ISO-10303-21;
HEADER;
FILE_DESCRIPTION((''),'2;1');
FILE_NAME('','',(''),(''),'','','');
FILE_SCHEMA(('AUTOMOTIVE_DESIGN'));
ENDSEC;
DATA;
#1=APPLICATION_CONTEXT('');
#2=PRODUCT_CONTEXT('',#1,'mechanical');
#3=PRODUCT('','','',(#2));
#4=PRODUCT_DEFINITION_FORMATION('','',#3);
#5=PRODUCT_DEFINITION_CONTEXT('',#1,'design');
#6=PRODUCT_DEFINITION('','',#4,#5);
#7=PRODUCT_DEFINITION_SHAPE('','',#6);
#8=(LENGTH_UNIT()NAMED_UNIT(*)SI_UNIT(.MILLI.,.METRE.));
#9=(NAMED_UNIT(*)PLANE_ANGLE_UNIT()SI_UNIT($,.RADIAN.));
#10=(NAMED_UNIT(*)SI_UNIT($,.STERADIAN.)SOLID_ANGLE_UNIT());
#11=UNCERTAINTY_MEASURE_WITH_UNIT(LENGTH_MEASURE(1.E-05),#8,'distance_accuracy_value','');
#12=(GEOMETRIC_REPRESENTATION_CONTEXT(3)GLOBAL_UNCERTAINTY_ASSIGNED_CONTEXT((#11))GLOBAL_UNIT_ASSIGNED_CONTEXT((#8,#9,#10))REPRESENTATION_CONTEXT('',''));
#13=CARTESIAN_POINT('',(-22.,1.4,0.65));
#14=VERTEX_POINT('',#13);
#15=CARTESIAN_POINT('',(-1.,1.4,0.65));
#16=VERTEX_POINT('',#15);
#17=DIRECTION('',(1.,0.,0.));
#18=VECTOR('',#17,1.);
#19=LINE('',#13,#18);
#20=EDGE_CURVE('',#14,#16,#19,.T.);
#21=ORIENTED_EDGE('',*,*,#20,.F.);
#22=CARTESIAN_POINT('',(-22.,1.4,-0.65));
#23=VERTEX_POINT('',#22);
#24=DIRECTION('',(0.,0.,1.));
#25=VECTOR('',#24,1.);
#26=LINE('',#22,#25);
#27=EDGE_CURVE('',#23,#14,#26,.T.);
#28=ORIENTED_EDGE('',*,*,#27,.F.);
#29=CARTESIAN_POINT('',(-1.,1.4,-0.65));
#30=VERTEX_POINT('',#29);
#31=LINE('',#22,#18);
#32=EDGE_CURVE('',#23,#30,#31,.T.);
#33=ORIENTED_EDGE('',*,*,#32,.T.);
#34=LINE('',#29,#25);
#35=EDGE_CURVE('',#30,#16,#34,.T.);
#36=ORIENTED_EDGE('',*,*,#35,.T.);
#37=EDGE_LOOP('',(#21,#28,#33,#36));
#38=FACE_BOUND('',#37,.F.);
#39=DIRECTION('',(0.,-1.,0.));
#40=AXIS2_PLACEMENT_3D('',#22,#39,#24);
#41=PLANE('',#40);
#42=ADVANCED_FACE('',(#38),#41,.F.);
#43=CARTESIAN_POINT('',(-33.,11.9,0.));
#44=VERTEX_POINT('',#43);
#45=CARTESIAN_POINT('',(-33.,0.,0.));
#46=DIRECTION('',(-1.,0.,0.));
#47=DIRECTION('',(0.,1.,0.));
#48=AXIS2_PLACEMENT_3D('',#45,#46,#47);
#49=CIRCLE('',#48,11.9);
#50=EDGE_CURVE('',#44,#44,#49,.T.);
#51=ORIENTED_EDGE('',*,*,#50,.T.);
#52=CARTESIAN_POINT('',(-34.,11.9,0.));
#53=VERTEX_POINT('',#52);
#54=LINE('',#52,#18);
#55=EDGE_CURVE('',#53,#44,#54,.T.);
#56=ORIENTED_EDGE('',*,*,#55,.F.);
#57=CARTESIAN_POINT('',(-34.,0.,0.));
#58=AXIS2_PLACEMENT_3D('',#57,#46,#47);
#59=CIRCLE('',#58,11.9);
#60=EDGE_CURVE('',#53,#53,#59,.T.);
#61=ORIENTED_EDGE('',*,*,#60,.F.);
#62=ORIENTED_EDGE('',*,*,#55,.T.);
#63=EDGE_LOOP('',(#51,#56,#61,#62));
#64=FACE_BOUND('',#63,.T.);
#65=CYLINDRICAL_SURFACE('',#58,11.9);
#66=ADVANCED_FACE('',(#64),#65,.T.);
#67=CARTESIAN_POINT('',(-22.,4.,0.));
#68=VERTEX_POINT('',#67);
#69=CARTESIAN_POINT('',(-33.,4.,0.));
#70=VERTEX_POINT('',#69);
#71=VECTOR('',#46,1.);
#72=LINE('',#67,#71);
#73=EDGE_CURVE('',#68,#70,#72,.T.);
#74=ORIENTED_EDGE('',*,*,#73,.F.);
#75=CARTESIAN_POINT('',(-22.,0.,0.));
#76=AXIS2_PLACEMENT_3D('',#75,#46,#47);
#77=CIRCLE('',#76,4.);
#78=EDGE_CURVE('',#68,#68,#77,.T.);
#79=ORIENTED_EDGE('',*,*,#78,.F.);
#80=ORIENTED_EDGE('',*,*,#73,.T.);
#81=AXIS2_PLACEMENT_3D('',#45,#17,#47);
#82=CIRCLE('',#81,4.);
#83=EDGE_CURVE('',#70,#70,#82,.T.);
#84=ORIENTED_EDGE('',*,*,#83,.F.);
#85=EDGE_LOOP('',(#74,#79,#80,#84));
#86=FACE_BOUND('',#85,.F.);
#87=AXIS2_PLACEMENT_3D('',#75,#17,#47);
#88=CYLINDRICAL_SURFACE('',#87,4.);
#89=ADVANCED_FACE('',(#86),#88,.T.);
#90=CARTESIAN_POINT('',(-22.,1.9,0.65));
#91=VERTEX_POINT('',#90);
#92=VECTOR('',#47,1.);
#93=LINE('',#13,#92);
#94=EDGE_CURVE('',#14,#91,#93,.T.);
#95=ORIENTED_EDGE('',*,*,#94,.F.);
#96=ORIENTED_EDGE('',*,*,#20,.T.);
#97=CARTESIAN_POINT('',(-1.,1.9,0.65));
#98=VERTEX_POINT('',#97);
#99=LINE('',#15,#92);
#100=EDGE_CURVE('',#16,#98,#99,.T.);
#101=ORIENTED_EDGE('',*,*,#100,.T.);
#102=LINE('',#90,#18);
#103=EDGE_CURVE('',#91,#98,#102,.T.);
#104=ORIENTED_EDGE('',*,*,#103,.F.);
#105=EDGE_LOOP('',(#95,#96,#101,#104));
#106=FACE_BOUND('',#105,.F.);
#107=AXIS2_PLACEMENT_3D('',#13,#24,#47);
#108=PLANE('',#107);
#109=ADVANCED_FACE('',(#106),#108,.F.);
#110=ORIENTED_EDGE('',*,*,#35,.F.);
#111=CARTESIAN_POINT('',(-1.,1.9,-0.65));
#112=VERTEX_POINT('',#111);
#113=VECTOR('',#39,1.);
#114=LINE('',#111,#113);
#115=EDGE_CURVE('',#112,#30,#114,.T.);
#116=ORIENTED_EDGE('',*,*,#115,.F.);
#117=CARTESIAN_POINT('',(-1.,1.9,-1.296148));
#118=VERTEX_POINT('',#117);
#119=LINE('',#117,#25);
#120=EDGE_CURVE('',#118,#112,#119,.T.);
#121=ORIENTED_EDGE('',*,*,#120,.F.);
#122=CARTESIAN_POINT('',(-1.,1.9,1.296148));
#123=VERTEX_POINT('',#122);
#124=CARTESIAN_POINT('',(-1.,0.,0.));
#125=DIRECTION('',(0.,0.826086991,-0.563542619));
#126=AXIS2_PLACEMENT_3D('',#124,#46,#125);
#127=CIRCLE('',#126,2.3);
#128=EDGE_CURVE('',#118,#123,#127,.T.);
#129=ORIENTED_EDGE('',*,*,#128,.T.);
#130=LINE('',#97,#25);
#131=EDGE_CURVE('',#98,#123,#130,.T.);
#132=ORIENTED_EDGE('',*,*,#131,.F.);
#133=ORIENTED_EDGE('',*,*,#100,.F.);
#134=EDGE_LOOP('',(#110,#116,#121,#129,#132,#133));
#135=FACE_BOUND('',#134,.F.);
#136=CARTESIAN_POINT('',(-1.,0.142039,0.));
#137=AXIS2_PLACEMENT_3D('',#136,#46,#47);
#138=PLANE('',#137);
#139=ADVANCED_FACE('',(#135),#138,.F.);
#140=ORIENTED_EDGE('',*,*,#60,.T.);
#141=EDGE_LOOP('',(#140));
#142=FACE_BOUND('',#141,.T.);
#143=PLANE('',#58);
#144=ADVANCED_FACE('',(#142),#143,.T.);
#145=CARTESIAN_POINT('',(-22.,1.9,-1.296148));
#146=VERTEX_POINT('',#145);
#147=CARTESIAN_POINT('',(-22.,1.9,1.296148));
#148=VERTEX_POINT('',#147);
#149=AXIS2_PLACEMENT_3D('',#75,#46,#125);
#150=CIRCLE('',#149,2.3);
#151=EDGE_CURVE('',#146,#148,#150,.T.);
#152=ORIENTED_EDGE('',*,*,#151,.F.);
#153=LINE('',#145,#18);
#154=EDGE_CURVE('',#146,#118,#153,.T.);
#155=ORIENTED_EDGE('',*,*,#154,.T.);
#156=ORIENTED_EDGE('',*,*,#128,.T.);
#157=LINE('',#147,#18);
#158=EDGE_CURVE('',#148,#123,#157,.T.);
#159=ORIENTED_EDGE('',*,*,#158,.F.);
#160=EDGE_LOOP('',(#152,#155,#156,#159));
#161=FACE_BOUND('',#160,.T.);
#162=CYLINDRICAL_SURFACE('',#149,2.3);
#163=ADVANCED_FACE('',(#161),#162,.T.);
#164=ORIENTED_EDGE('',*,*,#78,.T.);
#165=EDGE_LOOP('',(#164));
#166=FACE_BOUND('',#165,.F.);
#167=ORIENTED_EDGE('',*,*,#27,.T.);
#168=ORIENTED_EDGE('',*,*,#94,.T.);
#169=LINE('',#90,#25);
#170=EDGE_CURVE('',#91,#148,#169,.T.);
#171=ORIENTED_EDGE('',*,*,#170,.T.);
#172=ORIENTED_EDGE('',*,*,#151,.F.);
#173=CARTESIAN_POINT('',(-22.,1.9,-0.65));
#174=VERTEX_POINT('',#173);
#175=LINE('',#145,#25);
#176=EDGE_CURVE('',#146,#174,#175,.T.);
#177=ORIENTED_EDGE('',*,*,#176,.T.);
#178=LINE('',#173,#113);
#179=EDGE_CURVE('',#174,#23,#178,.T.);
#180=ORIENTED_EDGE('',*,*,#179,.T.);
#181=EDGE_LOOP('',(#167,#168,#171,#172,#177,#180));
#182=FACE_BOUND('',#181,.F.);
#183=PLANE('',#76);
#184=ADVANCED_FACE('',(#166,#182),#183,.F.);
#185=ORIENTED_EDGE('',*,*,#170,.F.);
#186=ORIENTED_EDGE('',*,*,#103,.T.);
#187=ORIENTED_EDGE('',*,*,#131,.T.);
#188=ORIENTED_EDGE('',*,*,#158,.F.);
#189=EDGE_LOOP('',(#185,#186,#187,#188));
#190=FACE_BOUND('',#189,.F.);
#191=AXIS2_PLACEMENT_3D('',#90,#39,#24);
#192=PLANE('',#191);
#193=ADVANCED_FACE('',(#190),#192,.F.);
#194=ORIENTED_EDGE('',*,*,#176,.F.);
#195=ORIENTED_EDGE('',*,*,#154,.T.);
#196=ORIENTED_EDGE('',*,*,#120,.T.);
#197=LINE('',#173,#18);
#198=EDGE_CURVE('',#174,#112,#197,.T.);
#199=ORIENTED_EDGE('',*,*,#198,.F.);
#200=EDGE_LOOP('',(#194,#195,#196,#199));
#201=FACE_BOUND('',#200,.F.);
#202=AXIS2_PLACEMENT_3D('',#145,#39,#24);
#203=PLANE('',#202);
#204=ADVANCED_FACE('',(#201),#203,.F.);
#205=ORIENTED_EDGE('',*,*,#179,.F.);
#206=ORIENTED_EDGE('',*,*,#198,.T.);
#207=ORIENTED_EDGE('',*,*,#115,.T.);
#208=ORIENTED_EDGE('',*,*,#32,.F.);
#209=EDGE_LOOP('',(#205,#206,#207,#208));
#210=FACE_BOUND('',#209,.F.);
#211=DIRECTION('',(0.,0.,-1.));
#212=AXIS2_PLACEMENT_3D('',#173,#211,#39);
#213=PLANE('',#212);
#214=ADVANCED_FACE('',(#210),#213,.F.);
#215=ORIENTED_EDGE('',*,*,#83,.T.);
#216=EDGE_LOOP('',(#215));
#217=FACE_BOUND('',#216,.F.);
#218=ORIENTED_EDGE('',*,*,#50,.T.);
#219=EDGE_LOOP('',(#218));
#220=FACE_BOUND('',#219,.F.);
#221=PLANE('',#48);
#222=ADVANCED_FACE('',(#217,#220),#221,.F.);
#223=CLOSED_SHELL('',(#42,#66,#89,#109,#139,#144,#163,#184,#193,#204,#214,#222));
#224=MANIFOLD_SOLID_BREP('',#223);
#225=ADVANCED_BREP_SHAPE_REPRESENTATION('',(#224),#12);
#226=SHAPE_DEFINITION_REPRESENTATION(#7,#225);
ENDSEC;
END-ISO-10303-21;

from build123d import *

# Parameters (mm, degrees)
SKETCH017_R             = 4
PAD005_DEPTH            = 12
PAD006_DEPTH            = 21
SKETCH020_R             = 11.9
PAD007_DEPTH            = 1
BODY004_PLACEMENT_ANGLE = 180


with BuildPart() as part:
    # Sketch017 → Pad005 (new body)
    with BuildSketch(Plane.YZ):
        Circle(SKETCH017_R)
    extrude(amount=PAD005_DEPTH)

    # Sketch018 → Pad006 (join)
    with BuildSketch(Plane.YZ):
        with BuildLine():
            ThreePointArc((1.9, 1.296148), (-2.3, 0), (1.9, -1.296148))
            Line((1.9, -0.65), (1.9, -1.296148))
            Line((1.4, -0.65), (1.9, -0.65))
            Line((1.4, 0.65), (1.4, -0.65))
            Line((1.9, 0.65), (1.4, 0.65))
            Line((1.9, 1.296148), (1.9, 0.65))
        make_face()
    extrude(amount=-PAD006_DEPTH)

    # Sketch020 (on Face3 of Pad006) → Pad007 (join)
    with BuildSketch(Plane.YZ.offset(12)):
        Circle(SKETCH020_R)
    extrude(amount=-PAD007_DEPTH)


with BuildPart() as part_1:
    # Body004 placement: moved
    add(part.part.moved(Location((-22, 0, 0))).rotate(Axis((-22, 0, 0), (0, 1, 0)), BODY004_PLACEMENT_ANGLE))


solid = part_1.part
